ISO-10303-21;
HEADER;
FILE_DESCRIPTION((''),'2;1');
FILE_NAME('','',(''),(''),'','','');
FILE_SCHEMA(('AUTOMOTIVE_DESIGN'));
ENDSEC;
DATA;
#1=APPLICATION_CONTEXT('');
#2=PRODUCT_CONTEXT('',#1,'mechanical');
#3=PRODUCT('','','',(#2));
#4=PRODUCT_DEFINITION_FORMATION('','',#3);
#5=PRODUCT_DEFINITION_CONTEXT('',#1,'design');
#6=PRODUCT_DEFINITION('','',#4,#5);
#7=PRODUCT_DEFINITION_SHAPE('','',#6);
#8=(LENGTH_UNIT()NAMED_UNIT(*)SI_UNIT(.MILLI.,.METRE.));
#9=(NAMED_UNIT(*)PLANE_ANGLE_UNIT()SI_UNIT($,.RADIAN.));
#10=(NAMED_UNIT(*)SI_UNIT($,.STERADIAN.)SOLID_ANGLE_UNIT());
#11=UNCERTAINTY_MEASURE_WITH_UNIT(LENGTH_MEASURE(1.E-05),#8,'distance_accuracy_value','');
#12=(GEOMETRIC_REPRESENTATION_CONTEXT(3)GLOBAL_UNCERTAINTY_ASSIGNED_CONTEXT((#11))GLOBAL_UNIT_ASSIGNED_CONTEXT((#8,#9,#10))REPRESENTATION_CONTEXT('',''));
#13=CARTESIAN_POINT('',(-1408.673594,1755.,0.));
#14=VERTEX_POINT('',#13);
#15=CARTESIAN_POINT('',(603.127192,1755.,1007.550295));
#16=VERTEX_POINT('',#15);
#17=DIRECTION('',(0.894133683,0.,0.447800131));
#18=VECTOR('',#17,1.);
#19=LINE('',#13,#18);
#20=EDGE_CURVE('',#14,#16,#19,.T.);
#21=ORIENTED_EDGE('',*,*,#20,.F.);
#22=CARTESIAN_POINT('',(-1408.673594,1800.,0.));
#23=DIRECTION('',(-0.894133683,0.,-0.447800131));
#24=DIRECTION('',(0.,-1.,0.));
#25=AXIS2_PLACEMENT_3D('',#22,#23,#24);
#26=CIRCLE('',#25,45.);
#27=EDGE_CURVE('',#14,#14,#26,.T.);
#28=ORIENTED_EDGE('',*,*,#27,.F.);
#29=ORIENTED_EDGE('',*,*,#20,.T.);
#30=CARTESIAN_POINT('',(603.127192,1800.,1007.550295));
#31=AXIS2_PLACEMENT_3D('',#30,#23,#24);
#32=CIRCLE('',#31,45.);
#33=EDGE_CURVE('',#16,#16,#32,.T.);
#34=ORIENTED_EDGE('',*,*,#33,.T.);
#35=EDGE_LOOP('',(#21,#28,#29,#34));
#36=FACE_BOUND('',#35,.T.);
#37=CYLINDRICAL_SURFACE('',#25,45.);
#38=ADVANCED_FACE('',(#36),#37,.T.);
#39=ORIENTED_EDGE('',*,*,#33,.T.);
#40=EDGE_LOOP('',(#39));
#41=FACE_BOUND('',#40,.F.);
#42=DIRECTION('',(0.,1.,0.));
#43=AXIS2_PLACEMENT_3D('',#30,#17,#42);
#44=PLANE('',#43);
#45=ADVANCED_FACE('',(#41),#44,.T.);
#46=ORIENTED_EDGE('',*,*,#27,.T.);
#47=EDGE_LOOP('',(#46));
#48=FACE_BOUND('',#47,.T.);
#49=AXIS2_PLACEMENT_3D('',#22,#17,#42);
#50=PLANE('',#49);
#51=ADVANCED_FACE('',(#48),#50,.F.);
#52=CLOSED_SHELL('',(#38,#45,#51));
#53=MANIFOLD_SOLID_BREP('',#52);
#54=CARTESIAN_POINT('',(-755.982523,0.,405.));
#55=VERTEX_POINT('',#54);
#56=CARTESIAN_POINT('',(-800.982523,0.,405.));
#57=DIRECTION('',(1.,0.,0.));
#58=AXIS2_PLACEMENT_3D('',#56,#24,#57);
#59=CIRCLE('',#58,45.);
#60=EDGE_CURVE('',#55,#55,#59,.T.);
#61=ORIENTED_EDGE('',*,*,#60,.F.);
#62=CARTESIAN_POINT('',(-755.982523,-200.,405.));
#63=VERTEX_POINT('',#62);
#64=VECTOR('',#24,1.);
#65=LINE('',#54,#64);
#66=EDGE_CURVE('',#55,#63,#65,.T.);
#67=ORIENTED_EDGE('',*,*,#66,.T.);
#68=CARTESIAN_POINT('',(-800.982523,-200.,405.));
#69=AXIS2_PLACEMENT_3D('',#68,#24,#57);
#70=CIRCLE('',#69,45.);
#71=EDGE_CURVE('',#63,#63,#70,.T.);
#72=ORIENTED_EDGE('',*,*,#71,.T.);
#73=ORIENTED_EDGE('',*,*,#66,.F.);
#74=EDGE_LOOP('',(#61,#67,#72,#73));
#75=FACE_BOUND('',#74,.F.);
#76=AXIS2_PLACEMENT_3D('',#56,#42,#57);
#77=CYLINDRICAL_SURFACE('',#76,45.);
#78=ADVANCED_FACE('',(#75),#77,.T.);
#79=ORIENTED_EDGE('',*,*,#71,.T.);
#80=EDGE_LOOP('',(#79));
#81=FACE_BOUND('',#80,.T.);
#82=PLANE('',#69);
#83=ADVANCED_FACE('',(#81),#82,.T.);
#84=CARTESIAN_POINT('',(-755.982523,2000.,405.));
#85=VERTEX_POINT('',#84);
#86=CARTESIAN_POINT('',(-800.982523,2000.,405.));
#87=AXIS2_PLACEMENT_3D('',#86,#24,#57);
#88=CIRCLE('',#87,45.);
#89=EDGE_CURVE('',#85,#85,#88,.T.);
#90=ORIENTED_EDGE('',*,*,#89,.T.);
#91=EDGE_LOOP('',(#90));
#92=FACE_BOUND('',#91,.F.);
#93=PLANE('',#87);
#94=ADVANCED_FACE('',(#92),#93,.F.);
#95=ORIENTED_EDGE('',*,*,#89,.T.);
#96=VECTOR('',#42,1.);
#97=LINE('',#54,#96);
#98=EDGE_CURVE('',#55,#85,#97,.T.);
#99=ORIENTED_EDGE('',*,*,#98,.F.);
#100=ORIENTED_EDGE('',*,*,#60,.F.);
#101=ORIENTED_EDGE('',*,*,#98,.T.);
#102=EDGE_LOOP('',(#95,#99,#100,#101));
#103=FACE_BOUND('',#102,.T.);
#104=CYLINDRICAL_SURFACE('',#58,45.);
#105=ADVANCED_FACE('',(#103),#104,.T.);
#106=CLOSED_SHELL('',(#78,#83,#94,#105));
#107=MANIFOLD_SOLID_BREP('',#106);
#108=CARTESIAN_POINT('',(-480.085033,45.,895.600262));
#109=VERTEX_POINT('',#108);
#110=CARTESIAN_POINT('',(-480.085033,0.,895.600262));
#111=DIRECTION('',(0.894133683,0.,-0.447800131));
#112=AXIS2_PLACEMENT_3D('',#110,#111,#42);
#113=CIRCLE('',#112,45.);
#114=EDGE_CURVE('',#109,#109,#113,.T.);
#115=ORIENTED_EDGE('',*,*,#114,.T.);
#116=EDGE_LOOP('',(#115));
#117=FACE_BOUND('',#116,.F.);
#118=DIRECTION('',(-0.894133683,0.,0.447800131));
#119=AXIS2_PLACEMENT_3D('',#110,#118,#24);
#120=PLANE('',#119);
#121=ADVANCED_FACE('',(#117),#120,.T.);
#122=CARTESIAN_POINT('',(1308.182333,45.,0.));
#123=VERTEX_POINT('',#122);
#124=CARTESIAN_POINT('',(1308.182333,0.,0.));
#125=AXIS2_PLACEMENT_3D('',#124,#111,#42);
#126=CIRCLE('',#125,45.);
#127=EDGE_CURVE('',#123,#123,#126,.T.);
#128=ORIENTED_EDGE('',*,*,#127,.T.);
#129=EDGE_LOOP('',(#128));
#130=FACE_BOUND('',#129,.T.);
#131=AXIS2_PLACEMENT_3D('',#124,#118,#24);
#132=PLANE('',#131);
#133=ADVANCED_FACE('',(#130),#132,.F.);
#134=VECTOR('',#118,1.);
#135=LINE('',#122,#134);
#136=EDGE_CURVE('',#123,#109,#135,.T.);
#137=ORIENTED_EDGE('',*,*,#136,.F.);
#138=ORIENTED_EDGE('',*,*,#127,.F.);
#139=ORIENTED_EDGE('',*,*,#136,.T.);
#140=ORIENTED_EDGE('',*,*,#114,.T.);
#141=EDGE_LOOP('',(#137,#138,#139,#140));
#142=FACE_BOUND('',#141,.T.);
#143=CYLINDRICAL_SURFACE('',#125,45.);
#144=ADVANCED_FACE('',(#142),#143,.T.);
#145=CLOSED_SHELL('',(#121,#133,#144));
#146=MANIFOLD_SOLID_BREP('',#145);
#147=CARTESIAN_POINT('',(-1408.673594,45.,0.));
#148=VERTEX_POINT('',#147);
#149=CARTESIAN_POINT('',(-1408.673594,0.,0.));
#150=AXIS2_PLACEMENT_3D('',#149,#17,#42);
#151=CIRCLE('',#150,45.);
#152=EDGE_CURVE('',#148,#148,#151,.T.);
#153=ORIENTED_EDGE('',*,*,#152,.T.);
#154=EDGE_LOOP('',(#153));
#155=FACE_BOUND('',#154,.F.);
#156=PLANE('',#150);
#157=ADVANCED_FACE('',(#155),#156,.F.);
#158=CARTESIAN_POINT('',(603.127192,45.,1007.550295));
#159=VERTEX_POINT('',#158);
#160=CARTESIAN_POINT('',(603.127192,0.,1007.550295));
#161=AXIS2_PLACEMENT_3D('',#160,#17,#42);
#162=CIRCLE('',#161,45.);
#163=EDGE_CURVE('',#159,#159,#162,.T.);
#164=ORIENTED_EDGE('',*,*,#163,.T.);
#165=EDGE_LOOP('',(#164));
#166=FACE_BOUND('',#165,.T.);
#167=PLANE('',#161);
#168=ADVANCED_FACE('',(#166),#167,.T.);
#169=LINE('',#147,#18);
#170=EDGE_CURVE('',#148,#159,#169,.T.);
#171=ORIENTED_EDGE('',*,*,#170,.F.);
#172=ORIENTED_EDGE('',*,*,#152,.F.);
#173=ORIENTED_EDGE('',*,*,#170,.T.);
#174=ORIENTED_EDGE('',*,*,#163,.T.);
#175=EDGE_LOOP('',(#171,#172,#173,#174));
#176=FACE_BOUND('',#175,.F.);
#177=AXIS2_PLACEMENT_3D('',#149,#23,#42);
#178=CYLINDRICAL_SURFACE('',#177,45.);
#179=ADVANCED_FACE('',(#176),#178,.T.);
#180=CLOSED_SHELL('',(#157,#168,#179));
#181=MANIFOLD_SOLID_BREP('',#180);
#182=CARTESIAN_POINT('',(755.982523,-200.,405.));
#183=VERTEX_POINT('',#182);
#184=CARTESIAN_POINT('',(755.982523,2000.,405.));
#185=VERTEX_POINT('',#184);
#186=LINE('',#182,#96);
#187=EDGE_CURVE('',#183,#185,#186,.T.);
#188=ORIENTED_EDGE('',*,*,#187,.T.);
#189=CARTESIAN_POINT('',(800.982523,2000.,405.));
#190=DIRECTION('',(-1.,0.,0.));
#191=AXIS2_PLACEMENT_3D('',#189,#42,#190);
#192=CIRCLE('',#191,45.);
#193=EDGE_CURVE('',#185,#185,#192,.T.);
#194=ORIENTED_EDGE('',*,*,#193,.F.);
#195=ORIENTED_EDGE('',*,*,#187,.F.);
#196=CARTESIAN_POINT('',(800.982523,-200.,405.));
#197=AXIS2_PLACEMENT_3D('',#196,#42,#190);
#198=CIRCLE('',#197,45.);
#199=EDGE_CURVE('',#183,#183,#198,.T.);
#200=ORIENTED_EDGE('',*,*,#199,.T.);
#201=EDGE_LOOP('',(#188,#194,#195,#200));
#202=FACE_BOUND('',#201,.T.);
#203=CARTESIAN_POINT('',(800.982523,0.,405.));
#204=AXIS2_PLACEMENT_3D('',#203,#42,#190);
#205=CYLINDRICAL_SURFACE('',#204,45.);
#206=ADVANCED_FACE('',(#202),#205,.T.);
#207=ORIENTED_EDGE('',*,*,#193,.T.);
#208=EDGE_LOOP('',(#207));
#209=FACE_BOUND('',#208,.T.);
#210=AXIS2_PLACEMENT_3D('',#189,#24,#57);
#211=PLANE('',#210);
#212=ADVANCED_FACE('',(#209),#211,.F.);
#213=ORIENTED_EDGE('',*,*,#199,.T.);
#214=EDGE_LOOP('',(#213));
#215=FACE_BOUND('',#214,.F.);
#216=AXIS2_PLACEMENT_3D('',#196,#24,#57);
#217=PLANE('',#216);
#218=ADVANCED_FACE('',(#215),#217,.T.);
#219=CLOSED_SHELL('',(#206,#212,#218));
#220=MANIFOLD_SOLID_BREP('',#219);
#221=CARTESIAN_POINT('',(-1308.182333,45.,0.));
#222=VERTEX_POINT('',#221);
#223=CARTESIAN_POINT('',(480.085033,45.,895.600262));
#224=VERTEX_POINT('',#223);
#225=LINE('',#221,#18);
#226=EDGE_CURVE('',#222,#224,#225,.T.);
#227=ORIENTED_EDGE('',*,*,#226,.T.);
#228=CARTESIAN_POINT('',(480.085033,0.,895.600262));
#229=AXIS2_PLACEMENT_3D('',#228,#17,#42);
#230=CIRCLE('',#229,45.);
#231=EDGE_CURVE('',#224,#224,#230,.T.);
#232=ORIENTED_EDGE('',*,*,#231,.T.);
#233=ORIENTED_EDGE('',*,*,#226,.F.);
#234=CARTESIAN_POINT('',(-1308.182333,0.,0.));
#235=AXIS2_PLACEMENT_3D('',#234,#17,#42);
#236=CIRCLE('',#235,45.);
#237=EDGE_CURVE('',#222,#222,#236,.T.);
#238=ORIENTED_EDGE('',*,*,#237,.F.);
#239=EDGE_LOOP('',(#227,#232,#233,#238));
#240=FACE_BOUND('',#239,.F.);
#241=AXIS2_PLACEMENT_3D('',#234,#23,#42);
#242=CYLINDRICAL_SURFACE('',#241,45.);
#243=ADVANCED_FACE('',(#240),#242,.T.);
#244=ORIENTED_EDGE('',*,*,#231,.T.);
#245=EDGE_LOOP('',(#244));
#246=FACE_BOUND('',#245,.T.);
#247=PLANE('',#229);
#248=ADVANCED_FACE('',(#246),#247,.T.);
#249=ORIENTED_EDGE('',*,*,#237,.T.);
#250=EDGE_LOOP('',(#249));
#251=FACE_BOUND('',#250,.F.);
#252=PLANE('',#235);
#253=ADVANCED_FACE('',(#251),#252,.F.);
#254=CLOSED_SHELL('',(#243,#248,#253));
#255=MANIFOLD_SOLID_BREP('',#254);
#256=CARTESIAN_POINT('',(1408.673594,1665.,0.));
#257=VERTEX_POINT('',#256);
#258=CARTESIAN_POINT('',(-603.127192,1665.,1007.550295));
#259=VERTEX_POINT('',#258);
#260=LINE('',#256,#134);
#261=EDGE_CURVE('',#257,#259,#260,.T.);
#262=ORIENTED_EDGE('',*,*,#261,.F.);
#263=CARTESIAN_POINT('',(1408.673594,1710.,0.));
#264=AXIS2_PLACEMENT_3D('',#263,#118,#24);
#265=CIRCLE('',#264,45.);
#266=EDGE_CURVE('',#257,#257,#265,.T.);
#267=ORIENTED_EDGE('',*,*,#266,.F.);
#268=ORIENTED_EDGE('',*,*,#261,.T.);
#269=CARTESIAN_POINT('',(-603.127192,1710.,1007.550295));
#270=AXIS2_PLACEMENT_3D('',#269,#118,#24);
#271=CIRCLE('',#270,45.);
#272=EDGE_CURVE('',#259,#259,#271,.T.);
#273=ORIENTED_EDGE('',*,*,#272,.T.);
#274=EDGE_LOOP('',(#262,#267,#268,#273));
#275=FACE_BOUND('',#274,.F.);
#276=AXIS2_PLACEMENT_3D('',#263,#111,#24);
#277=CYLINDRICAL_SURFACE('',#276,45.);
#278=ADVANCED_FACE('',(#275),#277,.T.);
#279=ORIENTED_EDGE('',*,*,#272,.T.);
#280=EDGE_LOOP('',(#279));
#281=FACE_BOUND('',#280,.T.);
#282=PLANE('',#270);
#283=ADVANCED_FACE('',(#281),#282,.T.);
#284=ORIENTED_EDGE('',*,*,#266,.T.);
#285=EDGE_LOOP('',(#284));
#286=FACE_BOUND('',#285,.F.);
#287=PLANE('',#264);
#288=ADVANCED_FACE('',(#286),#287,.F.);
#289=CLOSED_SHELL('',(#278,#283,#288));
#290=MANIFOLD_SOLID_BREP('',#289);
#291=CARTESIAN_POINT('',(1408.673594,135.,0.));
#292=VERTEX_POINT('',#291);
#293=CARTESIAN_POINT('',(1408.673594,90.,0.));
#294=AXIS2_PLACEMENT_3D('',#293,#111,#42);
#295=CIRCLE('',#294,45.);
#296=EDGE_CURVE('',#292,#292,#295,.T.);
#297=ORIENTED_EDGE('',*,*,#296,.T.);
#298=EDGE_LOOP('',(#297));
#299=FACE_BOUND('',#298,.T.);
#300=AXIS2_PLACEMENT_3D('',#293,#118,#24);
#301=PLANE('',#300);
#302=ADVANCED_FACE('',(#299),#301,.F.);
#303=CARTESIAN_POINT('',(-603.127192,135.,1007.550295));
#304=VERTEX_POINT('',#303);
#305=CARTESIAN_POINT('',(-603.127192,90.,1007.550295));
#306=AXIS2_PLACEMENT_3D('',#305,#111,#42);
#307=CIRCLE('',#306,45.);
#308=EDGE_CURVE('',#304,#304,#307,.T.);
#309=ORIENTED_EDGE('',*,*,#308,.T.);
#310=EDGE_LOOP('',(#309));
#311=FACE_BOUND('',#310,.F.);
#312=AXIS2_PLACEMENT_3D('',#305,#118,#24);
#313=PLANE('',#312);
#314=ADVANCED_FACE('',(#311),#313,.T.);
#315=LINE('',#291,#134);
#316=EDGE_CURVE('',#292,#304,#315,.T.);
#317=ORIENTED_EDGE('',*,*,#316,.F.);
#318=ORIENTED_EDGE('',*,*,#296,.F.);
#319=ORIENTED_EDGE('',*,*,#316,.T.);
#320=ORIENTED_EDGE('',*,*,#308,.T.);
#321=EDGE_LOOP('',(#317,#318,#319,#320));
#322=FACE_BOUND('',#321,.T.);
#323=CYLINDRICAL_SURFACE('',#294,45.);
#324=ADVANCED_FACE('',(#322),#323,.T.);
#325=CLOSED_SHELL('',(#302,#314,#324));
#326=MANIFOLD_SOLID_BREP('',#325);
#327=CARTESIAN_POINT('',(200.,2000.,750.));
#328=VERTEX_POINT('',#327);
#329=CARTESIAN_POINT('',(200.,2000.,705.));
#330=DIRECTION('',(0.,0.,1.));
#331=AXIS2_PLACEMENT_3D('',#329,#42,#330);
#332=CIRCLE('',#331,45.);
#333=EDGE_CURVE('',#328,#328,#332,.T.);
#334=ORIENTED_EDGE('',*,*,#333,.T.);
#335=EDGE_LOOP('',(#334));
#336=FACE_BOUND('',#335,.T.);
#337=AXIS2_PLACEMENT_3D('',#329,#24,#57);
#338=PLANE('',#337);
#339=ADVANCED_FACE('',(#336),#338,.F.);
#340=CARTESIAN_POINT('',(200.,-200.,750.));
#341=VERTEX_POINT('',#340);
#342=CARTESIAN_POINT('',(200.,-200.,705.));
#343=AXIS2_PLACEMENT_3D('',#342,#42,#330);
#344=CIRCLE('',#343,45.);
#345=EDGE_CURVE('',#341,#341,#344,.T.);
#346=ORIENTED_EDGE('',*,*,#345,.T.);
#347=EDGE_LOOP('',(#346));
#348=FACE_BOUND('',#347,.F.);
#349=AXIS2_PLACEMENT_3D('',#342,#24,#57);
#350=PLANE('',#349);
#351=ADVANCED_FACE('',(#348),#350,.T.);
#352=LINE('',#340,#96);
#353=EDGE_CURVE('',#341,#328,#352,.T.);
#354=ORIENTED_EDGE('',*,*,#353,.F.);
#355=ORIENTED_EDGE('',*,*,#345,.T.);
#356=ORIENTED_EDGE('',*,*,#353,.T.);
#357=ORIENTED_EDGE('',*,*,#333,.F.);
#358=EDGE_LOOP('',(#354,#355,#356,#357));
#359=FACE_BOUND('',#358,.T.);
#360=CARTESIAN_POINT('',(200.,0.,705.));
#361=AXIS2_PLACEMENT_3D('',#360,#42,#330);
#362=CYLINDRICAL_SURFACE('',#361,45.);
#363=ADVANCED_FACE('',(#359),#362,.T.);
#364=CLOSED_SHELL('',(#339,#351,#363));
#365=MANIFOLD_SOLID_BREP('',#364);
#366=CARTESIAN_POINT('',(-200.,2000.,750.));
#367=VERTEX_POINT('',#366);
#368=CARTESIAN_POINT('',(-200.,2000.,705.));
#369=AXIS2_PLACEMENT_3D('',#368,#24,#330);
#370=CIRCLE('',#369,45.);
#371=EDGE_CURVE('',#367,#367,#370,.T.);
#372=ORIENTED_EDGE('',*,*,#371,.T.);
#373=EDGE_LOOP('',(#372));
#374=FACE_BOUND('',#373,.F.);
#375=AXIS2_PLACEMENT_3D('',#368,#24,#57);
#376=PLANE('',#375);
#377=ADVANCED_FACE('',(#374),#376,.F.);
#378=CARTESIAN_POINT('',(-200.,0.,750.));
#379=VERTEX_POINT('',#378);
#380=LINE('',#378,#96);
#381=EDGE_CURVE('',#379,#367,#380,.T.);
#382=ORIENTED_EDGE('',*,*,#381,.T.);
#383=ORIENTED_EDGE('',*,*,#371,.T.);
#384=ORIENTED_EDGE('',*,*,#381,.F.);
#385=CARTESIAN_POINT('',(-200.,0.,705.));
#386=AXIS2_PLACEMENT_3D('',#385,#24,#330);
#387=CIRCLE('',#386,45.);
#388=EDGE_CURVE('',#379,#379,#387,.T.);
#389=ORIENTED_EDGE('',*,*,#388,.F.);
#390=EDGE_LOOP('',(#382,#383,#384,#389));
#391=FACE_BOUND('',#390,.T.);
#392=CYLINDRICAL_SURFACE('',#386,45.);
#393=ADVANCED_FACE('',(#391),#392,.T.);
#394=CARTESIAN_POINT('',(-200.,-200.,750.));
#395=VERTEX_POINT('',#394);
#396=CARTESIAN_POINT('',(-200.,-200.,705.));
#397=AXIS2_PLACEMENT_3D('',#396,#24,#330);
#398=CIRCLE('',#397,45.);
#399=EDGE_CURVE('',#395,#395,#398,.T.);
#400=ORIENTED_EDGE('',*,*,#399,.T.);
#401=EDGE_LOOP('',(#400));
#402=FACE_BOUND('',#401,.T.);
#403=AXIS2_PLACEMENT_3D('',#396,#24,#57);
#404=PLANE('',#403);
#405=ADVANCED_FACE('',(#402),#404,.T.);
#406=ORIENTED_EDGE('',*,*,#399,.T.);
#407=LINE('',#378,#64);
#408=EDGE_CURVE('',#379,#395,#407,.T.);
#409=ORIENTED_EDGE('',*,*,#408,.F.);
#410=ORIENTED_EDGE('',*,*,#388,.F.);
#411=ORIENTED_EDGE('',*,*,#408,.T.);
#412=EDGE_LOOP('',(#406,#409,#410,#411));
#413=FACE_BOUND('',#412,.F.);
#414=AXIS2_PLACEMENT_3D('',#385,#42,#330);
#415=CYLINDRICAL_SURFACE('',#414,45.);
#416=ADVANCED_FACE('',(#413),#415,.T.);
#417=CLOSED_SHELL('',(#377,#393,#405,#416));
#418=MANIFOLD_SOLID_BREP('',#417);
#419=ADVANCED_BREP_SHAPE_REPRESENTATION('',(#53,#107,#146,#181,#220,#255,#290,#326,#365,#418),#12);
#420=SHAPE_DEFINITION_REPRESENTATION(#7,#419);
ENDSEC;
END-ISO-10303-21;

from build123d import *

# Parameters (mm, degrees)
F3_R           = 45
F4_DEPTH       = 2000
F8_R           = 45
F9_DEPTH       = 2250
F11_R          = 45
F12_DEPTH      = 2000
F12_DEPTH_BACK = 200


with BuildPart() as f4:
    # F3 (on line) → F4 (new body)
    with BuildSketch(Plane(origin=(-1045.8591264694, 0, -523.7872847286), x_dir=(0, 1, 0), z_dir=(0.8941336828, 0, 0.447800131))):
        with Locations((0, 585.8042201385)):
            Circle(F3_R)
    extrude(amount=F4_DEPTH)


with BuildPart() as f5_1:
    # F5: instance of F4
    add(f4.part.mirror(Plane.YZ))


with BuildPart() as f9:
    # F8 (on line) → F9 (new body)
    with BuildSketch(Plane(origin=(-1126.199381922, 0, -564.0233004527), x_dir=(0, 1, 0), z_dir=(0.8941336828, 0, 0.447800131))):
        with Locations((0, 630.8042201385)):
            Circle(F8_R)
    extrude(amount=F9_DEPTH)


with BuildPart() as f10_1:
    # F10: instance of F9
    add(f9.part.mirror(Plane.YZ))


with BuildPart() as f12:
    # F11 (on Front) → F12 (new body, two sides)
    with BuildSketch(Plane.XZ) as f12_sk:
        with Locations((-800.9825226983, 405)):
            Circle(F11_R)
    extrude(amount=-F12_DEPTH)
    extrude(f12_sk.sketch, amount=F12_DEPTH_BACK)


with BuildPart() as f12b:
    # F0 (on Front) → F12, piece 2 (new body, two sides)
    with BuildSketch(Plane.XZ) as f12_2_sk:
        with BuildLine():
            ThreePointArc((-200, 660), (-168.1801948466, 673.1801948466), (-155, 705))
            ThreePointArc((-155, 705), (-168.1801948466, 736.8198051534), (-200, 750))
            ThreePointArc((-200, 750), (-245, 705), (-200, 660))
        make_face()
    extrude(amount=-F12_DEPTH)
    extrude(f12_2_sk.sketch, amount=F12_DEPTH_BACK)


with BuildPart() as f10_1_1:
    # F13: moved
    add(f10_1.part.moved(Location((0, 90, 0))))


with BuildPart() as f14_1:
    # F14: instance of F12
    add(f12.part.mirror(Plane.YZ))


with BuildPart() as f14_2:
    # F14: instance of F12b
    add(f12b.part.mirror(Plane.YZ))


with BuildPart() as f17_1:
    # F17: instance of F9
    add(f9.part.mirror(Plane.XZ.offset(-900)))


with BuildPart() as f17_2:
    # F17: instance of F10_1
    add(f10_1_1.part.mirror(Plane.XZ.offset(-900)))


solid = Compound([f4.part, f5_1.part, f9.part, f12.part, f12b.part, f10_1_1.part, f14_1.part, f14_2.part, f17_1.part, f17_2.part])
